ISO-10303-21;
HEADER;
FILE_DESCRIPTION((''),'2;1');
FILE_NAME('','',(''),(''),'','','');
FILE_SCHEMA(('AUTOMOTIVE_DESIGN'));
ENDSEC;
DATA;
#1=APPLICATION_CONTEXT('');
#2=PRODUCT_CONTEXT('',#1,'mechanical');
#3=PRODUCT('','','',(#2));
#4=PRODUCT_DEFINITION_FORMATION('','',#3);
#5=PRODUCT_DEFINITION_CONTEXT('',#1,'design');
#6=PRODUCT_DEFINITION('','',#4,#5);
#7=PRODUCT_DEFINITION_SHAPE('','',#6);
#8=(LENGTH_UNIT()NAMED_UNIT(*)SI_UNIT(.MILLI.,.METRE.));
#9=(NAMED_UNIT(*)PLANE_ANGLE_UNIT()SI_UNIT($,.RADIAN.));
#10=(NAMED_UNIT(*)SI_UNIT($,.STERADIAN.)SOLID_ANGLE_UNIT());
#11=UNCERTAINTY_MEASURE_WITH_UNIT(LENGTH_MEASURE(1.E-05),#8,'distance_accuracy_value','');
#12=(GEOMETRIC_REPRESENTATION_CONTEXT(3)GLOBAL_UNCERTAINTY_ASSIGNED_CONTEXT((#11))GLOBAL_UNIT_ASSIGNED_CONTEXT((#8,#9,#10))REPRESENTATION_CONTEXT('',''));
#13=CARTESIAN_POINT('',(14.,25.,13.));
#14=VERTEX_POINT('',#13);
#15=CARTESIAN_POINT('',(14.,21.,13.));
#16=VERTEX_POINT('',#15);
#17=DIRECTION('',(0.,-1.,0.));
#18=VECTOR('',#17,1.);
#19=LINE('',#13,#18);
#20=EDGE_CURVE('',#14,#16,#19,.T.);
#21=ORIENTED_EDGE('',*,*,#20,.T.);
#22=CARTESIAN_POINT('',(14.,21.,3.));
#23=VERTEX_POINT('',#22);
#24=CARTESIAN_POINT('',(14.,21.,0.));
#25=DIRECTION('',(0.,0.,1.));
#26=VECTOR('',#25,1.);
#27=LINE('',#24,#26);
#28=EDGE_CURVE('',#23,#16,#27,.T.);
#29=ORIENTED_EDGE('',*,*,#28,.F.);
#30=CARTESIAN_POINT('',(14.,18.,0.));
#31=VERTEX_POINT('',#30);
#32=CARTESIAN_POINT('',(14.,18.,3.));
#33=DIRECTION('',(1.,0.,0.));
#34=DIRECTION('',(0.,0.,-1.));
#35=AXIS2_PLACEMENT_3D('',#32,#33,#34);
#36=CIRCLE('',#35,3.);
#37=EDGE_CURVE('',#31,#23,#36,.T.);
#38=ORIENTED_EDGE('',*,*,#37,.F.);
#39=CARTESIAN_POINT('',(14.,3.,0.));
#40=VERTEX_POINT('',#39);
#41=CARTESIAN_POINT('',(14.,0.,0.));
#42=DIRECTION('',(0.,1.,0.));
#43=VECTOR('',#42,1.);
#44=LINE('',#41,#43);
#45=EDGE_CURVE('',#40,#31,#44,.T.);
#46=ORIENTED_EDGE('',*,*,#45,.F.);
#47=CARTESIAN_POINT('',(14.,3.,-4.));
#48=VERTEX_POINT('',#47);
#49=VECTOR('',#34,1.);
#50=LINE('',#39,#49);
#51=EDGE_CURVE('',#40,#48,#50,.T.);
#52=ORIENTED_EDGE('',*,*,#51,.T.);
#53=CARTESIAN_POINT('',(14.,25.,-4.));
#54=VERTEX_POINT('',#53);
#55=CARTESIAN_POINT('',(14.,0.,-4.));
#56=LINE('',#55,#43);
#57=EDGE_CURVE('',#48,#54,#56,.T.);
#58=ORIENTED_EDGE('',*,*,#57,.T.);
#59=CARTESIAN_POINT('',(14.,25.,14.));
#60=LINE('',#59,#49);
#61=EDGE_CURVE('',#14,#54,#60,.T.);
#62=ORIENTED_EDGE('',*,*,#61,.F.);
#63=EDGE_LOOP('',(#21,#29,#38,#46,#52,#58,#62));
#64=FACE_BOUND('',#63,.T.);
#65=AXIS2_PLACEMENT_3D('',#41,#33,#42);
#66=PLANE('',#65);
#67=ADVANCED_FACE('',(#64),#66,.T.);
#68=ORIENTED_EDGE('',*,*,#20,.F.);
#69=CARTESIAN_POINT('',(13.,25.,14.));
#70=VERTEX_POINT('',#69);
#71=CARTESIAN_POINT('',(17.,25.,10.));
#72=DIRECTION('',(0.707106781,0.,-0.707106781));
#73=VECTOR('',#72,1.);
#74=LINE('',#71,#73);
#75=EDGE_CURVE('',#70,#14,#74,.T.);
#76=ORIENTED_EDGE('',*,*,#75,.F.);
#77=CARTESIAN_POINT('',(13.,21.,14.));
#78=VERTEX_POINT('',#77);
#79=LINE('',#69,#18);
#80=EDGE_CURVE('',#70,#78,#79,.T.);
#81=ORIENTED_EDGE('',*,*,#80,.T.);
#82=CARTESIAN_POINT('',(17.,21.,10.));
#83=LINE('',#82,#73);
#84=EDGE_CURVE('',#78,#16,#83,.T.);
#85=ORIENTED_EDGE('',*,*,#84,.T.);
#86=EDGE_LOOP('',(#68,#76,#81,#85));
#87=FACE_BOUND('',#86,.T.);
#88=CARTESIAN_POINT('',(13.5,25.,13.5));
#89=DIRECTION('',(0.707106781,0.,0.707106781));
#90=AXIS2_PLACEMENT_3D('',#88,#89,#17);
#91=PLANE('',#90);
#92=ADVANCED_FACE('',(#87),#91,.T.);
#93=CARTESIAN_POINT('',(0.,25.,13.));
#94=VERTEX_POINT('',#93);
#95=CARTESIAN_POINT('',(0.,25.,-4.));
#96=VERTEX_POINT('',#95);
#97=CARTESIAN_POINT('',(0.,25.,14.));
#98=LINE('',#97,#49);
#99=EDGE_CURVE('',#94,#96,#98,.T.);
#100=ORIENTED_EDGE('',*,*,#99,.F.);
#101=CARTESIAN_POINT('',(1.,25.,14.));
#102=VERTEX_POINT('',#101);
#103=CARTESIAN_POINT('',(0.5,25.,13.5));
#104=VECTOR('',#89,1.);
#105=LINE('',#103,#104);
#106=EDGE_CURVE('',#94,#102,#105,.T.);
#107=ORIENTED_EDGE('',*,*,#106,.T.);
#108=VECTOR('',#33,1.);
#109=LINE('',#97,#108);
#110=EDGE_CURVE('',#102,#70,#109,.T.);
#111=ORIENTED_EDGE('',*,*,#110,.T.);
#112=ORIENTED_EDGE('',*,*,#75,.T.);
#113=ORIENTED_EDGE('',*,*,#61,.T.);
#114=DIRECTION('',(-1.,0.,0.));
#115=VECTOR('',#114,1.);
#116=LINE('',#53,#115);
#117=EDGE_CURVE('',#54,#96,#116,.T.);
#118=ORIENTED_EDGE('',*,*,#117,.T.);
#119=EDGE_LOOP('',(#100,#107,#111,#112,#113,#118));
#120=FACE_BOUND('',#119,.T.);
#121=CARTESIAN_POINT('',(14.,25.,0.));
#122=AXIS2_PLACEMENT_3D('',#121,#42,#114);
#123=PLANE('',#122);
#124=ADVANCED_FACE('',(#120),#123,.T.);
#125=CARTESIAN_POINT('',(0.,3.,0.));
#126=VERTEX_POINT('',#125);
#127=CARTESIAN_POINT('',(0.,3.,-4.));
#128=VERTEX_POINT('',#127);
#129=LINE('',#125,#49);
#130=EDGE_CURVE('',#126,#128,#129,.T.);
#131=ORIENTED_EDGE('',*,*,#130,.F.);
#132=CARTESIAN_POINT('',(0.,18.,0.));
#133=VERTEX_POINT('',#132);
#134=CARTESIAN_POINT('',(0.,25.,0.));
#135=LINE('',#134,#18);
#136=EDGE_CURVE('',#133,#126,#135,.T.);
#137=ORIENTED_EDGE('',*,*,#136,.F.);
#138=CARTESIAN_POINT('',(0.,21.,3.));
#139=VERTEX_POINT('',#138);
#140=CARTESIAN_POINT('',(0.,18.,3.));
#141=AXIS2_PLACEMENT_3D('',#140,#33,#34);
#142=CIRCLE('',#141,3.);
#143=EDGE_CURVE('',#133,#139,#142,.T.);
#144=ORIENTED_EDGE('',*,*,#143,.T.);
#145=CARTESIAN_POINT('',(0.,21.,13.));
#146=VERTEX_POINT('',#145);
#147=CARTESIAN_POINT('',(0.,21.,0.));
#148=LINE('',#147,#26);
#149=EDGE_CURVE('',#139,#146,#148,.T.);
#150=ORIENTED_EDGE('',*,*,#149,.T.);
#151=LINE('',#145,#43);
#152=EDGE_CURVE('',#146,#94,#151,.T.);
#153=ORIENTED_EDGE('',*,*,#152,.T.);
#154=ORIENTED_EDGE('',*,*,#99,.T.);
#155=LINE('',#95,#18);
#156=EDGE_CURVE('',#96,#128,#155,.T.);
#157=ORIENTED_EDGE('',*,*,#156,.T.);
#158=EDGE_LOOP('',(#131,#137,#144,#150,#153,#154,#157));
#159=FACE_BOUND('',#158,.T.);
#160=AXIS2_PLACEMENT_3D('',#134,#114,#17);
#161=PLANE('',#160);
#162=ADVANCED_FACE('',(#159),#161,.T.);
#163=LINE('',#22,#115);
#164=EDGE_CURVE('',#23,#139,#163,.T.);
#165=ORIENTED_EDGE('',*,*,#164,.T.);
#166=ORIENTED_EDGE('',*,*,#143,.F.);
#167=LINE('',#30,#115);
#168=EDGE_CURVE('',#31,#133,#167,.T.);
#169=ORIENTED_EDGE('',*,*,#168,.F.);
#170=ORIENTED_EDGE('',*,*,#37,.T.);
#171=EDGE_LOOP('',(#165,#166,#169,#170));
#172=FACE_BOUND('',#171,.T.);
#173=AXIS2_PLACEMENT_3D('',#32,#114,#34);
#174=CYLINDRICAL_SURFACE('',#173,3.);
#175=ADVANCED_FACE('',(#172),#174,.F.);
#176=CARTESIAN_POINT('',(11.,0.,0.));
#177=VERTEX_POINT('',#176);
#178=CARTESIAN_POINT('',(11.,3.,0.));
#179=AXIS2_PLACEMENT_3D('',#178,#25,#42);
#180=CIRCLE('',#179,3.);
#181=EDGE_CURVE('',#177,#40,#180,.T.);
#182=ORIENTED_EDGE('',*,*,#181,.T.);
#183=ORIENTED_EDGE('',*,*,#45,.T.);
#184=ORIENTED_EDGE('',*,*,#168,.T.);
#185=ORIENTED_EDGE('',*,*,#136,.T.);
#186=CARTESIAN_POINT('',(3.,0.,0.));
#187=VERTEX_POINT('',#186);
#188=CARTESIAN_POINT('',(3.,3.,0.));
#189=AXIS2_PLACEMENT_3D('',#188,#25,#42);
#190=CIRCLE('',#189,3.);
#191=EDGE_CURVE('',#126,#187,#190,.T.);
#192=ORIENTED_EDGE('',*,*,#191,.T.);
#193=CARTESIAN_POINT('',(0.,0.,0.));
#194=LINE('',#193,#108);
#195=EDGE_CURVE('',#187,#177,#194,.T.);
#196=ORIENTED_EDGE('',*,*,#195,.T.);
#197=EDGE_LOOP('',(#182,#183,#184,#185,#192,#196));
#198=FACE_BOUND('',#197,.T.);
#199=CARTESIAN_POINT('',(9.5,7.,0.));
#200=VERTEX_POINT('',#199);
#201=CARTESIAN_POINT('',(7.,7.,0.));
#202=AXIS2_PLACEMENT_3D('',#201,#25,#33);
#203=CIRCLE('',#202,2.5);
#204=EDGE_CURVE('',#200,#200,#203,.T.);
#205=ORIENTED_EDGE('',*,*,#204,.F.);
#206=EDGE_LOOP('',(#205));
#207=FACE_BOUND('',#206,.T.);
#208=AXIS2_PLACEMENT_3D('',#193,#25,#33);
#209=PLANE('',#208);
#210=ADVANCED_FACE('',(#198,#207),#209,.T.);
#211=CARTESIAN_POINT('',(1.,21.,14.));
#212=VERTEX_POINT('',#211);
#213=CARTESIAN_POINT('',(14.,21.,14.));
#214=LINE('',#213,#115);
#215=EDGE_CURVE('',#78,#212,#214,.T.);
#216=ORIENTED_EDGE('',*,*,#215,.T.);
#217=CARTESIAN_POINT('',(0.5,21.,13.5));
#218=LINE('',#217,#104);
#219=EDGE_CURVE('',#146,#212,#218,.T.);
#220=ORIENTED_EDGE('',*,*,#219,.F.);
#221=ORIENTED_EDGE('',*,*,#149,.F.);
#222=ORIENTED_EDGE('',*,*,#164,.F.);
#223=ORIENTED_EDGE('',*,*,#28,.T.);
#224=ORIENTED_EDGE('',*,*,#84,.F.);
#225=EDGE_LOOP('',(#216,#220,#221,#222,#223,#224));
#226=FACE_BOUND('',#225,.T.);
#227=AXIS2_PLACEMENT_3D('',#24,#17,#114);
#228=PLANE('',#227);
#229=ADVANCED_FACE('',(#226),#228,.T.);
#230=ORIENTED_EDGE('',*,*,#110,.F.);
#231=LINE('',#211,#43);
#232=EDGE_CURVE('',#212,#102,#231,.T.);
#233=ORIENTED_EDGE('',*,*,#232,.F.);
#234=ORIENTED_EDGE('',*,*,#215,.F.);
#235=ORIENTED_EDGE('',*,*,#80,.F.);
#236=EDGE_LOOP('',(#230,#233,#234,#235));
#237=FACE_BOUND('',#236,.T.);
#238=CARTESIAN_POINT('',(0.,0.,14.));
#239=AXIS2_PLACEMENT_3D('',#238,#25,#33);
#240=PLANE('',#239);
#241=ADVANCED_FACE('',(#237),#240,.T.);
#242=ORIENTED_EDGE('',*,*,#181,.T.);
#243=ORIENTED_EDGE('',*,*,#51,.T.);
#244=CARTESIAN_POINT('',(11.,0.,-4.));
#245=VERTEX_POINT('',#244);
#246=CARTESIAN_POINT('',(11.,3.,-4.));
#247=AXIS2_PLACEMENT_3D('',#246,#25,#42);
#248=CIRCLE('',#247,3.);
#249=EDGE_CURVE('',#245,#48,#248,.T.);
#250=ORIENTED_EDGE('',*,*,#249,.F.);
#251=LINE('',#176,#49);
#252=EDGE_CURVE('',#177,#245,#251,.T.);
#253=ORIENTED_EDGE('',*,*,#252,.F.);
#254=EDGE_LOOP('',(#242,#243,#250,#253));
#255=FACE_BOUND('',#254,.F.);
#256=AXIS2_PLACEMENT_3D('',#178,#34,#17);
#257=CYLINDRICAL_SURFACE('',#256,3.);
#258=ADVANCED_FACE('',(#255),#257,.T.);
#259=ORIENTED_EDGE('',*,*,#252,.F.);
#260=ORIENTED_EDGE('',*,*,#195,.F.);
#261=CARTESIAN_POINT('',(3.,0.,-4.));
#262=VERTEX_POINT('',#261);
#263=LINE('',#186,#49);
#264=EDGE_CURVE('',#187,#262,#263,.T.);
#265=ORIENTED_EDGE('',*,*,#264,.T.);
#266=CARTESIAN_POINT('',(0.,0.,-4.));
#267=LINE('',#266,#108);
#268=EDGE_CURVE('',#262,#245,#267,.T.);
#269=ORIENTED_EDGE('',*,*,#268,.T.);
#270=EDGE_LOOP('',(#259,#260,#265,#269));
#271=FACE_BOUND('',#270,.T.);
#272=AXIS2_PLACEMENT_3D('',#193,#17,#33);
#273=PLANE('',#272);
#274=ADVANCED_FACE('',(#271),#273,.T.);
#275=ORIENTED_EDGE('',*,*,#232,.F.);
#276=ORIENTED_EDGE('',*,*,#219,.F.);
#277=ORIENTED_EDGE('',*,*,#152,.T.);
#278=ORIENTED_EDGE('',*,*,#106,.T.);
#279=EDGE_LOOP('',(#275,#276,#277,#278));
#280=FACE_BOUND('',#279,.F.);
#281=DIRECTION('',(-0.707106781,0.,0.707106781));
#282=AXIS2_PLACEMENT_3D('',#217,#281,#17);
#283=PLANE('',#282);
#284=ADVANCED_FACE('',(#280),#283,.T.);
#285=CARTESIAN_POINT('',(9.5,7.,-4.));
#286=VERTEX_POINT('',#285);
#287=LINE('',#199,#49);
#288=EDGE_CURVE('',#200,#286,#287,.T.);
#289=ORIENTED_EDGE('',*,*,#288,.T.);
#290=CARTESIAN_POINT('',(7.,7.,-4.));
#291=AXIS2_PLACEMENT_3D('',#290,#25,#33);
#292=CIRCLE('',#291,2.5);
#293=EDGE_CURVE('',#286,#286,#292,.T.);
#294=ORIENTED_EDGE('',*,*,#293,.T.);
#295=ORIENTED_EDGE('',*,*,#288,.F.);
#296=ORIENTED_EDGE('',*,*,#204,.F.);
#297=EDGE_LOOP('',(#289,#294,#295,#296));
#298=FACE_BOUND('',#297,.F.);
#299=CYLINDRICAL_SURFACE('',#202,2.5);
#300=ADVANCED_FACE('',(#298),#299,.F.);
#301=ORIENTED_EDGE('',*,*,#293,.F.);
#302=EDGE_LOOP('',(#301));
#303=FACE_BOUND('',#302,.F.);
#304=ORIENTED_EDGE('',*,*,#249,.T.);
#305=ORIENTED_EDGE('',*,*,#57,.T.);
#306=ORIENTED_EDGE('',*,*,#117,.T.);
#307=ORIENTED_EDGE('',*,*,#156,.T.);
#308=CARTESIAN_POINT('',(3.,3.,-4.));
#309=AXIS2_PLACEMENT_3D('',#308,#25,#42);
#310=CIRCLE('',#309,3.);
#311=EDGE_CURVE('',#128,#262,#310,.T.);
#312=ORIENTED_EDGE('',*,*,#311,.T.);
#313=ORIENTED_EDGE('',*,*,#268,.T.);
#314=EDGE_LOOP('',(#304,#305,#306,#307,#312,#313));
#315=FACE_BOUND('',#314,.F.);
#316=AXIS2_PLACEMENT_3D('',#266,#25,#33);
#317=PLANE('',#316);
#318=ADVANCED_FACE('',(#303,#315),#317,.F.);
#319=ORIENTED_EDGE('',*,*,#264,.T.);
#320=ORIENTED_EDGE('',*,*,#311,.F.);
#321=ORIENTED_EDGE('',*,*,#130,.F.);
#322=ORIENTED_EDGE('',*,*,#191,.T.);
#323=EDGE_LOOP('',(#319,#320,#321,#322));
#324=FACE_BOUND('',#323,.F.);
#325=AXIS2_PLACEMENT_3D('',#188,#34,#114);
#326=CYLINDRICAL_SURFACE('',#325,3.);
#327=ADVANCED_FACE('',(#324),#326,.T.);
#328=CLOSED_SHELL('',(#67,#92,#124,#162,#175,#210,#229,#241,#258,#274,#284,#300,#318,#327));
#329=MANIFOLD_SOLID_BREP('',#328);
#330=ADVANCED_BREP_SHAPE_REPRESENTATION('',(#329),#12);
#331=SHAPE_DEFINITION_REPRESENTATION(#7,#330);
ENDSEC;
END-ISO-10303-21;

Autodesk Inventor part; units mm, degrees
ref_plane "YZ Plane" through (0, 0, 0) normal (1, 0, 0) x (0, 1, 0)
ref_plane "XZ Plane" through (0, 0, 0) normal (0, 1, 0) x (-1, 0, 0)
ref_plane "XY Plane" through (0, 0, 0) normal (0, 0, 1) x (1, 0, 0)
sketch "Náčrt1" plane through (0, 0, 0) normal (0, 0, 1) x (1, 0, 0)
  line L0 (0, 0) -> (14, 0)
  line L1 (14, 0) -> (14, 25)
  line L2 (14, 25) -> (0, 25)
  line L3 (0, 25) -> (0, 0)
  circle A0 centre (7, 7) radius 2.5
  point P0 (7, 0)
  dimension "d0" = 14
  dimension "d1" = 25
  dimension "d2" = 5
  dimension "d3" = 7
  dimension "d4" = 7
extrude "Vysunutí1" add sketch "Náčrt1" against normal blind 4
sketch "Náčrt2" plane through (0, 0, 0) normal (0, 0, 1) x (1, 0, 0)
  line L0 (0, 0) -> (0, 25) projected
  line L1 (14, 25) -> (14, 0) projected
  line L2 (0, 25) -> (14, 25)
  line L3 (14, 25) -> (14, 21)
  line L4 (14, 21) -> (0, 21)
  line L5 (0, 21) -> (0, 25)
  point P0 (0, 21)
  dimension "d7" = 4
extrude "Vysunutí2" add sketch "Náčrt2" along normal blind 14
fillet "Zaoblení1" radius 3 1 edges at (7, 21, 0)
fillet "Zaoblení2" radius 3 2 edges at (0, 0, -2) (14, 0, -2)
chamfer "Zkosení1" distance 1 angle 45 2 edges at (0, 23, 14) (14, 23, 14)
properties part number "Packa" material "Zlatá"
